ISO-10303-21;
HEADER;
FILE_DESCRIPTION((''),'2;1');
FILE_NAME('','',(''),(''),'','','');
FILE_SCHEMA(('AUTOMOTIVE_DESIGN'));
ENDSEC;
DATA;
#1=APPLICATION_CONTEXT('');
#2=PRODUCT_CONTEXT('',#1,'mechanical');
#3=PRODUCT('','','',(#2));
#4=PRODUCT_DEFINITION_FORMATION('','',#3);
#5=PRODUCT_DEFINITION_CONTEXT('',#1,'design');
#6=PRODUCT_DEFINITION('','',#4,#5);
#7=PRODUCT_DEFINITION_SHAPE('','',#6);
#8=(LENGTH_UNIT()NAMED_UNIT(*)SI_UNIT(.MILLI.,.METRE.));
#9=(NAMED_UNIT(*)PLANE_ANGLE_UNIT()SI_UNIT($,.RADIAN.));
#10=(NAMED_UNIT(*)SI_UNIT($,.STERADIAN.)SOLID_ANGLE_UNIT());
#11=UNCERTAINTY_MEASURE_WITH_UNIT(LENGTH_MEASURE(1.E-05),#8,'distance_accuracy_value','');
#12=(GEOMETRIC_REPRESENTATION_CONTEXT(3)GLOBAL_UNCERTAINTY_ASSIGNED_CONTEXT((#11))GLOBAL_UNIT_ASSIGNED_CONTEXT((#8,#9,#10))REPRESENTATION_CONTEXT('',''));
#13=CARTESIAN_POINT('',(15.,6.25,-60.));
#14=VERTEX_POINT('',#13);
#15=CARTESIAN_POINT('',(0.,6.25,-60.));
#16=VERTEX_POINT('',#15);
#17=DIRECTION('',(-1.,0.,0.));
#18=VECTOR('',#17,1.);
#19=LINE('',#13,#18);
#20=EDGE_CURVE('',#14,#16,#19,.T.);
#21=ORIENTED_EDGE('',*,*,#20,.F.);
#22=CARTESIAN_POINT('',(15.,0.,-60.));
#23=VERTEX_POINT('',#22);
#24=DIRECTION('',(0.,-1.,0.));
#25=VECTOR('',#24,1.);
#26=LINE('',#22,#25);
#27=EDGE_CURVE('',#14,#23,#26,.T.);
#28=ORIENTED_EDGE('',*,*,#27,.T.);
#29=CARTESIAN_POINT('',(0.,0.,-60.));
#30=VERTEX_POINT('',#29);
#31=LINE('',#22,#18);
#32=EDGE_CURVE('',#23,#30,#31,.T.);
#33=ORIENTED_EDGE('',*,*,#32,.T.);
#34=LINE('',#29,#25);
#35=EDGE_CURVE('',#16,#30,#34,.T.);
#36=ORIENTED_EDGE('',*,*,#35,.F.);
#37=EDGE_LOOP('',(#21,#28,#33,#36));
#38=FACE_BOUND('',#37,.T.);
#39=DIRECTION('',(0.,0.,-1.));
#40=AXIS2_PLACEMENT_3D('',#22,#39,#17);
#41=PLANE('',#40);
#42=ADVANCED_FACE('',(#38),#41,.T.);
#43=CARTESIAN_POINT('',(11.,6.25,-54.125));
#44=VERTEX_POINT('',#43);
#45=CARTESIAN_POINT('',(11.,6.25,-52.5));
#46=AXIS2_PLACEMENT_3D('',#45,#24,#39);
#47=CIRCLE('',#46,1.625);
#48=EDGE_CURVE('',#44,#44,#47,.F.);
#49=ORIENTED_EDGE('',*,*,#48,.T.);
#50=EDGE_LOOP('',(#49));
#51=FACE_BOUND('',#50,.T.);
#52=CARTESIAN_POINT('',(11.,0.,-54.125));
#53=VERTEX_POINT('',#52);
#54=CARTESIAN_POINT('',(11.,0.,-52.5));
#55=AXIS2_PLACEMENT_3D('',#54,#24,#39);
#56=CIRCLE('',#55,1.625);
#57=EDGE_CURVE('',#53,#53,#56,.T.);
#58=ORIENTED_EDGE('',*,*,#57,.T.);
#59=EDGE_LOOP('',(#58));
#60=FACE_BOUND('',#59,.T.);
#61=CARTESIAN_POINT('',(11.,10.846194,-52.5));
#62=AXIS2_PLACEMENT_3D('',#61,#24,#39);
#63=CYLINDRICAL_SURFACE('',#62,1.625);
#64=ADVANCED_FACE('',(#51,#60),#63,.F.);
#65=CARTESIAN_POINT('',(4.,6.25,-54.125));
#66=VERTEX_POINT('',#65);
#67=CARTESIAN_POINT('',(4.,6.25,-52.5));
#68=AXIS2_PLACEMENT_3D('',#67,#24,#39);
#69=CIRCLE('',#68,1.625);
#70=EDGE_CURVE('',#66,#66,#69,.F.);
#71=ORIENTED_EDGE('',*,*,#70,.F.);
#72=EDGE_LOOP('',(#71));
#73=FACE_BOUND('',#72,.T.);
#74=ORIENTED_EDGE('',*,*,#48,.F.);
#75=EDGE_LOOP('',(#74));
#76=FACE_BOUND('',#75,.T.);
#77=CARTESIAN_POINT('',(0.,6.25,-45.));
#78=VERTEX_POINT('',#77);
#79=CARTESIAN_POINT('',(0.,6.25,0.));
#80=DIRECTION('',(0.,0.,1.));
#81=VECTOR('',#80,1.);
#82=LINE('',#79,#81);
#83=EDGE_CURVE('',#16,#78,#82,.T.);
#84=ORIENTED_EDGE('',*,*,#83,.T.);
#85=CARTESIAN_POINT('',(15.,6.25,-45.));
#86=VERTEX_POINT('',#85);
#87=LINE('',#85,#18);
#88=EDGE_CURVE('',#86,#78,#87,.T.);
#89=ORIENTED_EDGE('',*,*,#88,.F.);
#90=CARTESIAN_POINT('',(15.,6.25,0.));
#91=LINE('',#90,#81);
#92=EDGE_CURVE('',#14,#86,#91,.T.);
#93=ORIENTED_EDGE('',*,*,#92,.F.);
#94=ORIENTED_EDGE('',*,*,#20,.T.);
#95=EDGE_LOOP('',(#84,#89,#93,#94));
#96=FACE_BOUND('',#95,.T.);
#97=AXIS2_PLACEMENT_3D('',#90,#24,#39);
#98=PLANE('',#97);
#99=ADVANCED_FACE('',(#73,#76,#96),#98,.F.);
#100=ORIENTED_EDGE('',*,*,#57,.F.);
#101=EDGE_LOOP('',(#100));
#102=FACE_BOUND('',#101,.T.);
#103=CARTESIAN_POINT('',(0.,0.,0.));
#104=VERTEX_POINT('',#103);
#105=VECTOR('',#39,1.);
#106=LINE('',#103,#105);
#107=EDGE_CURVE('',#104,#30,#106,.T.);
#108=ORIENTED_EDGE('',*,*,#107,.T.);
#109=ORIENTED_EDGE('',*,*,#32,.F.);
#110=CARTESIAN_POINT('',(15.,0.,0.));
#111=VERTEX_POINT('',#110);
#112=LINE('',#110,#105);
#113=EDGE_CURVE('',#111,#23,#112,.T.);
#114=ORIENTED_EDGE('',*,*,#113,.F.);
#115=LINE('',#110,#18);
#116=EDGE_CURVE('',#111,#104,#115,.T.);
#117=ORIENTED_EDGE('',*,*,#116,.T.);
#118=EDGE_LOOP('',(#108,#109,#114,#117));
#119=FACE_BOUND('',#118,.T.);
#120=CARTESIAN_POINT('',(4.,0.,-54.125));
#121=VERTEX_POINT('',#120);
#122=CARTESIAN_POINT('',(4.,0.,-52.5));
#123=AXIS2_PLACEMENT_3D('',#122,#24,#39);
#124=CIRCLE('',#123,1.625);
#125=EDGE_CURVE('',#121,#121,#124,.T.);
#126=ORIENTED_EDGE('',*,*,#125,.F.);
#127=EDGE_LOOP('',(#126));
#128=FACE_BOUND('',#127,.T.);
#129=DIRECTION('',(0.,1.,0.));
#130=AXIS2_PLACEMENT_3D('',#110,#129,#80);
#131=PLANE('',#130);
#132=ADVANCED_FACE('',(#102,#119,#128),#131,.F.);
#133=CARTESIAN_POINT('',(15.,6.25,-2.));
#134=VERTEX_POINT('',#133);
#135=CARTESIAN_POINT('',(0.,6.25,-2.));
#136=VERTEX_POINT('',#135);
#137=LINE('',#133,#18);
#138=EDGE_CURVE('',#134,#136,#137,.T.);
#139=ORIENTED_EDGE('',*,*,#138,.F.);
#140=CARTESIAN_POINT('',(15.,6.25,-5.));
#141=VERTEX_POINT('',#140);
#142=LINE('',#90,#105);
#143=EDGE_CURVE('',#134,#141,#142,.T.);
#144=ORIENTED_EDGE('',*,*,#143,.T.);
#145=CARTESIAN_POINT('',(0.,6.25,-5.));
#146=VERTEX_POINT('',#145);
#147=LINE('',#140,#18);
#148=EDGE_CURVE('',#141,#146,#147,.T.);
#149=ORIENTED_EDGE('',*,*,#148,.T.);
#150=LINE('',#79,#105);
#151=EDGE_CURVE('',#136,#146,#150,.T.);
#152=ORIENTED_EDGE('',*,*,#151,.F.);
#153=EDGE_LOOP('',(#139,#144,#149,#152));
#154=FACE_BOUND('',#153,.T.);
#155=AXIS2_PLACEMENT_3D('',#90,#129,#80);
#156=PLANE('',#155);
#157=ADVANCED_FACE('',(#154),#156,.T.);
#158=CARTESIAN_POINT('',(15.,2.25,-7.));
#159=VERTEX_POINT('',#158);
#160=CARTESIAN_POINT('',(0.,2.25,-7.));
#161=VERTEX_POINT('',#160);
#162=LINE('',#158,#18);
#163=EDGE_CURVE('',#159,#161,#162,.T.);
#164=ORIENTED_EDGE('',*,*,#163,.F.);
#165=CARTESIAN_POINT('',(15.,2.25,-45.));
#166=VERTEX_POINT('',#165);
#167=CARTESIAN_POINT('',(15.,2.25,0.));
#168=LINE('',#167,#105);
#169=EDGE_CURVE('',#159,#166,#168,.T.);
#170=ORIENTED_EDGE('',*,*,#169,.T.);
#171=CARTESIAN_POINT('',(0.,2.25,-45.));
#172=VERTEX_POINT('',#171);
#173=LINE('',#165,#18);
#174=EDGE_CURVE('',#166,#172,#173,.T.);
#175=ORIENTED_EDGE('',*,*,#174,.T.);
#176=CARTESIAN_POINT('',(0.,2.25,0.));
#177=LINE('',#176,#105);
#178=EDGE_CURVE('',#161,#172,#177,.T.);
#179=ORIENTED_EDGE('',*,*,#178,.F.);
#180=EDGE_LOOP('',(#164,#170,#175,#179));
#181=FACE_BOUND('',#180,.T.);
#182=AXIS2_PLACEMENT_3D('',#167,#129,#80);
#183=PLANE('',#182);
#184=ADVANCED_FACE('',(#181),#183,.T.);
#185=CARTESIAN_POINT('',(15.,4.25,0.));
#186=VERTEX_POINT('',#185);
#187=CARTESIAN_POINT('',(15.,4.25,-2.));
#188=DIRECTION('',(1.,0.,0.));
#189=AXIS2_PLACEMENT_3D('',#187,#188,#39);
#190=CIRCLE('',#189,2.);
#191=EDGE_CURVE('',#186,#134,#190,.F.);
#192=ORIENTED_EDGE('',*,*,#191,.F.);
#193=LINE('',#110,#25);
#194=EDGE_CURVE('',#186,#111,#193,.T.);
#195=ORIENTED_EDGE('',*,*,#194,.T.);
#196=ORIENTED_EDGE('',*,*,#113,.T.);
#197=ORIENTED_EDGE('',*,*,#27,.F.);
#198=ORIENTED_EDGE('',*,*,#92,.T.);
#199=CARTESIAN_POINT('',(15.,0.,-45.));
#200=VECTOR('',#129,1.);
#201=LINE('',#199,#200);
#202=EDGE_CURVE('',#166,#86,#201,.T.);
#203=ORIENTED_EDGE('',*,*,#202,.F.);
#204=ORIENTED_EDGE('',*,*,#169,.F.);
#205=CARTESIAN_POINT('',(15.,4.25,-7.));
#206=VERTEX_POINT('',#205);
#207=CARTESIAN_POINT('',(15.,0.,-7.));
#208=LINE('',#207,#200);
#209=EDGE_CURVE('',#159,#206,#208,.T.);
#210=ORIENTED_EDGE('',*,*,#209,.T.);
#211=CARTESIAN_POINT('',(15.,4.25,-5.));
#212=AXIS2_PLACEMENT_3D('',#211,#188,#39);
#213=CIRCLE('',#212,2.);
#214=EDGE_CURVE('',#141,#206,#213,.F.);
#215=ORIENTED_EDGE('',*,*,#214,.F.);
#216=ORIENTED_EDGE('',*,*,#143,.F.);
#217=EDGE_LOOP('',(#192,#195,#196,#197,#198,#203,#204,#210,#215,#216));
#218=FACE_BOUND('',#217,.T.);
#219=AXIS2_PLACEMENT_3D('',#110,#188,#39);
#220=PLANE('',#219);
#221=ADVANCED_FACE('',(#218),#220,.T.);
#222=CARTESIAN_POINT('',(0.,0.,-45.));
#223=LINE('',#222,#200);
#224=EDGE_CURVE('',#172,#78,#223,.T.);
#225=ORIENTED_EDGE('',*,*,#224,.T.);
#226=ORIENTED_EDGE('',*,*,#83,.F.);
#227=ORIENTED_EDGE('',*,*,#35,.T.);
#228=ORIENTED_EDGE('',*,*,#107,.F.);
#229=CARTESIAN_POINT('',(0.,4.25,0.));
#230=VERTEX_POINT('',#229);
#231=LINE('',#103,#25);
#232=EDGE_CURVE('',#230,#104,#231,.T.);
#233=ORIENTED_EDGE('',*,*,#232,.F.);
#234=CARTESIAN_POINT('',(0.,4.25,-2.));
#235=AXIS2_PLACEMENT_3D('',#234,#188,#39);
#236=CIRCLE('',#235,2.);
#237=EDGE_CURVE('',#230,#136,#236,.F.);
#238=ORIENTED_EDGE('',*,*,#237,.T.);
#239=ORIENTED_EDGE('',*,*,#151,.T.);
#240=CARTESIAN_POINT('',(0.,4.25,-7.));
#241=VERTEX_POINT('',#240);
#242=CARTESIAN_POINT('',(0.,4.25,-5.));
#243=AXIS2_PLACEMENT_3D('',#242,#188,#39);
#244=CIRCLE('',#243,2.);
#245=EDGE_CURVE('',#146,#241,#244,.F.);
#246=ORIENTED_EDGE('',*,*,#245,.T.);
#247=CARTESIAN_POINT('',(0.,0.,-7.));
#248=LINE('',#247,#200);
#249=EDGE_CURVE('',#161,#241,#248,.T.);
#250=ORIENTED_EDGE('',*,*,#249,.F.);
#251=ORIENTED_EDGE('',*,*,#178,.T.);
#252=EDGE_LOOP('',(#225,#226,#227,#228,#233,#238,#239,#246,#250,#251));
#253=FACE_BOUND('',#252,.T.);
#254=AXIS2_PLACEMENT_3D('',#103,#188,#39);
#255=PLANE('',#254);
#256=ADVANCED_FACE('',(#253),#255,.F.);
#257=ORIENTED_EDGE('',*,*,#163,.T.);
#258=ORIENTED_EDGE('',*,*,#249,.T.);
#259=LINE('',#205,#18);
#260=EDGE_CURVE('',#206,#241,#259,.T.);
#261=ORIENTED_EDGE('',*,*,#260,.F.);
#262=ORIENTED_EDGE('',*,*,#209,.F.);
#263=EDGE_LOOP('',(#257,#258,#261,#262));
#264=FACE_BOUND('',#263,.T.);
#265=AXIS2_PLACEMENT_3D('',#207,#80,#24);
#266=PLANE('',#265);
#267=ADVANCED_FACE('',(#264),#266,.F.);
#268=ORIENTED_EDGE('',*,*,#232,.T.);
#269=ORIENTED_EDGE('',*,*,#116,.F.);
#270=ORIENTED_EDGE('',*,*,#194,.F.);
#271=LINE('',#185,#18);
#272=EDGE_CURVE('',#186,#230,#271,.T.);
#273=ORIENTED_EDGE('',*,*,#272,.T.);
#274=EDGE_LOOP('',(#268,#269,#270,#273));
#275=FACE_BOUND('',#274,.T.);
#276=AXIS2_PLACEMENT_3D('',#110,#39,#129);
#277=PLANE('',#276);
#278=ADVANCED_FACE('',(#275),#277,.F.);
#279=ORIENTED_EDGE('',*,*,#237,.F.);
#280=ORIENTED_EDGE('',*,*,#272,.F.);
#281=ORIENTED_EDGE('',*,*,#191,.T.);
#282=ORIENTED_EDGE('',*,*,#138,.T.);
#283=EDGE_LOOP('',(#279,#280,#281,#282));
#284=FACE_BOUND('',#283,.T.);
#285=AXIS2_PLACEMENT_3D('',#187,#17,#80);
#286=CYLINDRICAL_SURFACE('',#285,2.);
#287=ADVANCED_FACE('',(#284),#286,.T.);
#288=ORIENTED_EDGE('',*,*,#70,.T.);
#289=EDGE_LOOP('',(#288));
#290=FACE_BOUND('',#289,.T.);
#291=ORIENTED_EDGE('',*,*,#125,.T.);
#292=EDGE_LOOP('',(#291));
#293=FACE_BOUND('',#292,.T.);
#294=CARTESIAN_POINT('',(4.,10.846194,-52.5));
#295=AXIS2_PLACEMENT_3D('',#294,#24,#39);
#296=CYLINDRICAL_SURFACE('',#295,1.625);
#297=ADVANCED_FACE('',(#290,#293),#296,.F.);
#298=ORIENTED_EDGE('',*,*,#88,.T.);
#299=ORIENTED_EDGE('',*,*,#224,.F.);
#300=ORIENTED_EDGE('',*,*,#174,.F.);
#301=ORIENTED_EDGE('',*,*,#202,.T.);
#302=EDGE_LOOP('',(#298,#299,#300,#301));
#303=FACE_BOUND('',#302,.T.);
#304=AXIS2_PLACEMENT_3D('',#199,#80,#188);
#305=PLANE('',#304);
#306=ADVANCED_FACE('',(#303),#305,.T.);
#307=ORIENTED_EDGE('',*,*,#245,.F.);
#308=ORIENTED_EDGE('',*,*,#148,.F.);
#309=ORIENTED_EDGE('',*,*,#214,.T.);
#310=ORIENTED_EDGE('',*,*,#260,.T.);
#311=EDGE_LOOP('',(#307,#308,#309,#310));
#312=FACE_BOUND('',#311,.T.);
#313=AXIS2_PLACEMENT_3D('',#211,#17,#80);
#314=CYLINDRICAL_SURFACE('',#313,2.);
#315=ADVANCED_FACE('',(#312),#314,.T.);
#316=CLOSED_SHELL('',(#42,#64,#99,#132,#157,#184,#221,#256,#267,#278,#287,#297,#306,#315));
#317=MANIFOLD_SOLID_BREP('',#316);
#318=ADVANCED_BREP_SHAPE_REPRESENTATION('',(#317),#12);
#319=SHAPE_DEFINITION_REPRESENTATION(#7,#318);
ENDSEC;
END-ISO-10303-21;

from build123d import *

# Parameters (mm, degrees)
BOSS_EXTRUDE1_DEPTH = 15
SKETCH2_R           = 1.625
CUT_EXTRUDE1_DEPTH  = 6.25


with BuildPart() as part:
    # Sketch1 → Boss-Extrude1 (new body)
    with BuildSketch(Plane(origin=(0, 0, 0), x_dir=(0, 0, -1), z_dir=(1, 0, 0))):
        with BuildLine():
            Line((0, 4.25), (0, 0))
            Line((0, 0), (60, 0))
            Line((60, 0), (60, 6.25))
            Line((60, 6.25), (45, 6.25))
            Line((45, 6.25), (45, 2.25))
            Line((45, 2.25), (7, 2.25))
            Line((7, 2.25), (7, 4.25))
            ThreePointArc((7, 4.25), (6.414213562, 5.664213562), (5, 6.25))
            Line((5, 6.25), (2, 6.25))
            ThreePointArc((2, 6.25), (0.585786438, 5.664213562), (0, 4.25))
        make_face()
    extrude(amount=BOSS_EXTRUDE1_DEPTH)

    # Sketch2 → Cut-Extrude1 (cut)
    with BuildSketch(Plane.XZ):
        with Locations(Location((11, -52.5, 0), (0, 0, 270))):
            Circle(SKETCH2_R)
        with Locations(Location((4, -52.5, 0), (0, 0, 270))):
            Circle(SKETCH2_R)
    extrude(amount=-CUT_EXTRUDE1_DEPTH, mode=Mode.SUBTRACT)


solid = part.part
